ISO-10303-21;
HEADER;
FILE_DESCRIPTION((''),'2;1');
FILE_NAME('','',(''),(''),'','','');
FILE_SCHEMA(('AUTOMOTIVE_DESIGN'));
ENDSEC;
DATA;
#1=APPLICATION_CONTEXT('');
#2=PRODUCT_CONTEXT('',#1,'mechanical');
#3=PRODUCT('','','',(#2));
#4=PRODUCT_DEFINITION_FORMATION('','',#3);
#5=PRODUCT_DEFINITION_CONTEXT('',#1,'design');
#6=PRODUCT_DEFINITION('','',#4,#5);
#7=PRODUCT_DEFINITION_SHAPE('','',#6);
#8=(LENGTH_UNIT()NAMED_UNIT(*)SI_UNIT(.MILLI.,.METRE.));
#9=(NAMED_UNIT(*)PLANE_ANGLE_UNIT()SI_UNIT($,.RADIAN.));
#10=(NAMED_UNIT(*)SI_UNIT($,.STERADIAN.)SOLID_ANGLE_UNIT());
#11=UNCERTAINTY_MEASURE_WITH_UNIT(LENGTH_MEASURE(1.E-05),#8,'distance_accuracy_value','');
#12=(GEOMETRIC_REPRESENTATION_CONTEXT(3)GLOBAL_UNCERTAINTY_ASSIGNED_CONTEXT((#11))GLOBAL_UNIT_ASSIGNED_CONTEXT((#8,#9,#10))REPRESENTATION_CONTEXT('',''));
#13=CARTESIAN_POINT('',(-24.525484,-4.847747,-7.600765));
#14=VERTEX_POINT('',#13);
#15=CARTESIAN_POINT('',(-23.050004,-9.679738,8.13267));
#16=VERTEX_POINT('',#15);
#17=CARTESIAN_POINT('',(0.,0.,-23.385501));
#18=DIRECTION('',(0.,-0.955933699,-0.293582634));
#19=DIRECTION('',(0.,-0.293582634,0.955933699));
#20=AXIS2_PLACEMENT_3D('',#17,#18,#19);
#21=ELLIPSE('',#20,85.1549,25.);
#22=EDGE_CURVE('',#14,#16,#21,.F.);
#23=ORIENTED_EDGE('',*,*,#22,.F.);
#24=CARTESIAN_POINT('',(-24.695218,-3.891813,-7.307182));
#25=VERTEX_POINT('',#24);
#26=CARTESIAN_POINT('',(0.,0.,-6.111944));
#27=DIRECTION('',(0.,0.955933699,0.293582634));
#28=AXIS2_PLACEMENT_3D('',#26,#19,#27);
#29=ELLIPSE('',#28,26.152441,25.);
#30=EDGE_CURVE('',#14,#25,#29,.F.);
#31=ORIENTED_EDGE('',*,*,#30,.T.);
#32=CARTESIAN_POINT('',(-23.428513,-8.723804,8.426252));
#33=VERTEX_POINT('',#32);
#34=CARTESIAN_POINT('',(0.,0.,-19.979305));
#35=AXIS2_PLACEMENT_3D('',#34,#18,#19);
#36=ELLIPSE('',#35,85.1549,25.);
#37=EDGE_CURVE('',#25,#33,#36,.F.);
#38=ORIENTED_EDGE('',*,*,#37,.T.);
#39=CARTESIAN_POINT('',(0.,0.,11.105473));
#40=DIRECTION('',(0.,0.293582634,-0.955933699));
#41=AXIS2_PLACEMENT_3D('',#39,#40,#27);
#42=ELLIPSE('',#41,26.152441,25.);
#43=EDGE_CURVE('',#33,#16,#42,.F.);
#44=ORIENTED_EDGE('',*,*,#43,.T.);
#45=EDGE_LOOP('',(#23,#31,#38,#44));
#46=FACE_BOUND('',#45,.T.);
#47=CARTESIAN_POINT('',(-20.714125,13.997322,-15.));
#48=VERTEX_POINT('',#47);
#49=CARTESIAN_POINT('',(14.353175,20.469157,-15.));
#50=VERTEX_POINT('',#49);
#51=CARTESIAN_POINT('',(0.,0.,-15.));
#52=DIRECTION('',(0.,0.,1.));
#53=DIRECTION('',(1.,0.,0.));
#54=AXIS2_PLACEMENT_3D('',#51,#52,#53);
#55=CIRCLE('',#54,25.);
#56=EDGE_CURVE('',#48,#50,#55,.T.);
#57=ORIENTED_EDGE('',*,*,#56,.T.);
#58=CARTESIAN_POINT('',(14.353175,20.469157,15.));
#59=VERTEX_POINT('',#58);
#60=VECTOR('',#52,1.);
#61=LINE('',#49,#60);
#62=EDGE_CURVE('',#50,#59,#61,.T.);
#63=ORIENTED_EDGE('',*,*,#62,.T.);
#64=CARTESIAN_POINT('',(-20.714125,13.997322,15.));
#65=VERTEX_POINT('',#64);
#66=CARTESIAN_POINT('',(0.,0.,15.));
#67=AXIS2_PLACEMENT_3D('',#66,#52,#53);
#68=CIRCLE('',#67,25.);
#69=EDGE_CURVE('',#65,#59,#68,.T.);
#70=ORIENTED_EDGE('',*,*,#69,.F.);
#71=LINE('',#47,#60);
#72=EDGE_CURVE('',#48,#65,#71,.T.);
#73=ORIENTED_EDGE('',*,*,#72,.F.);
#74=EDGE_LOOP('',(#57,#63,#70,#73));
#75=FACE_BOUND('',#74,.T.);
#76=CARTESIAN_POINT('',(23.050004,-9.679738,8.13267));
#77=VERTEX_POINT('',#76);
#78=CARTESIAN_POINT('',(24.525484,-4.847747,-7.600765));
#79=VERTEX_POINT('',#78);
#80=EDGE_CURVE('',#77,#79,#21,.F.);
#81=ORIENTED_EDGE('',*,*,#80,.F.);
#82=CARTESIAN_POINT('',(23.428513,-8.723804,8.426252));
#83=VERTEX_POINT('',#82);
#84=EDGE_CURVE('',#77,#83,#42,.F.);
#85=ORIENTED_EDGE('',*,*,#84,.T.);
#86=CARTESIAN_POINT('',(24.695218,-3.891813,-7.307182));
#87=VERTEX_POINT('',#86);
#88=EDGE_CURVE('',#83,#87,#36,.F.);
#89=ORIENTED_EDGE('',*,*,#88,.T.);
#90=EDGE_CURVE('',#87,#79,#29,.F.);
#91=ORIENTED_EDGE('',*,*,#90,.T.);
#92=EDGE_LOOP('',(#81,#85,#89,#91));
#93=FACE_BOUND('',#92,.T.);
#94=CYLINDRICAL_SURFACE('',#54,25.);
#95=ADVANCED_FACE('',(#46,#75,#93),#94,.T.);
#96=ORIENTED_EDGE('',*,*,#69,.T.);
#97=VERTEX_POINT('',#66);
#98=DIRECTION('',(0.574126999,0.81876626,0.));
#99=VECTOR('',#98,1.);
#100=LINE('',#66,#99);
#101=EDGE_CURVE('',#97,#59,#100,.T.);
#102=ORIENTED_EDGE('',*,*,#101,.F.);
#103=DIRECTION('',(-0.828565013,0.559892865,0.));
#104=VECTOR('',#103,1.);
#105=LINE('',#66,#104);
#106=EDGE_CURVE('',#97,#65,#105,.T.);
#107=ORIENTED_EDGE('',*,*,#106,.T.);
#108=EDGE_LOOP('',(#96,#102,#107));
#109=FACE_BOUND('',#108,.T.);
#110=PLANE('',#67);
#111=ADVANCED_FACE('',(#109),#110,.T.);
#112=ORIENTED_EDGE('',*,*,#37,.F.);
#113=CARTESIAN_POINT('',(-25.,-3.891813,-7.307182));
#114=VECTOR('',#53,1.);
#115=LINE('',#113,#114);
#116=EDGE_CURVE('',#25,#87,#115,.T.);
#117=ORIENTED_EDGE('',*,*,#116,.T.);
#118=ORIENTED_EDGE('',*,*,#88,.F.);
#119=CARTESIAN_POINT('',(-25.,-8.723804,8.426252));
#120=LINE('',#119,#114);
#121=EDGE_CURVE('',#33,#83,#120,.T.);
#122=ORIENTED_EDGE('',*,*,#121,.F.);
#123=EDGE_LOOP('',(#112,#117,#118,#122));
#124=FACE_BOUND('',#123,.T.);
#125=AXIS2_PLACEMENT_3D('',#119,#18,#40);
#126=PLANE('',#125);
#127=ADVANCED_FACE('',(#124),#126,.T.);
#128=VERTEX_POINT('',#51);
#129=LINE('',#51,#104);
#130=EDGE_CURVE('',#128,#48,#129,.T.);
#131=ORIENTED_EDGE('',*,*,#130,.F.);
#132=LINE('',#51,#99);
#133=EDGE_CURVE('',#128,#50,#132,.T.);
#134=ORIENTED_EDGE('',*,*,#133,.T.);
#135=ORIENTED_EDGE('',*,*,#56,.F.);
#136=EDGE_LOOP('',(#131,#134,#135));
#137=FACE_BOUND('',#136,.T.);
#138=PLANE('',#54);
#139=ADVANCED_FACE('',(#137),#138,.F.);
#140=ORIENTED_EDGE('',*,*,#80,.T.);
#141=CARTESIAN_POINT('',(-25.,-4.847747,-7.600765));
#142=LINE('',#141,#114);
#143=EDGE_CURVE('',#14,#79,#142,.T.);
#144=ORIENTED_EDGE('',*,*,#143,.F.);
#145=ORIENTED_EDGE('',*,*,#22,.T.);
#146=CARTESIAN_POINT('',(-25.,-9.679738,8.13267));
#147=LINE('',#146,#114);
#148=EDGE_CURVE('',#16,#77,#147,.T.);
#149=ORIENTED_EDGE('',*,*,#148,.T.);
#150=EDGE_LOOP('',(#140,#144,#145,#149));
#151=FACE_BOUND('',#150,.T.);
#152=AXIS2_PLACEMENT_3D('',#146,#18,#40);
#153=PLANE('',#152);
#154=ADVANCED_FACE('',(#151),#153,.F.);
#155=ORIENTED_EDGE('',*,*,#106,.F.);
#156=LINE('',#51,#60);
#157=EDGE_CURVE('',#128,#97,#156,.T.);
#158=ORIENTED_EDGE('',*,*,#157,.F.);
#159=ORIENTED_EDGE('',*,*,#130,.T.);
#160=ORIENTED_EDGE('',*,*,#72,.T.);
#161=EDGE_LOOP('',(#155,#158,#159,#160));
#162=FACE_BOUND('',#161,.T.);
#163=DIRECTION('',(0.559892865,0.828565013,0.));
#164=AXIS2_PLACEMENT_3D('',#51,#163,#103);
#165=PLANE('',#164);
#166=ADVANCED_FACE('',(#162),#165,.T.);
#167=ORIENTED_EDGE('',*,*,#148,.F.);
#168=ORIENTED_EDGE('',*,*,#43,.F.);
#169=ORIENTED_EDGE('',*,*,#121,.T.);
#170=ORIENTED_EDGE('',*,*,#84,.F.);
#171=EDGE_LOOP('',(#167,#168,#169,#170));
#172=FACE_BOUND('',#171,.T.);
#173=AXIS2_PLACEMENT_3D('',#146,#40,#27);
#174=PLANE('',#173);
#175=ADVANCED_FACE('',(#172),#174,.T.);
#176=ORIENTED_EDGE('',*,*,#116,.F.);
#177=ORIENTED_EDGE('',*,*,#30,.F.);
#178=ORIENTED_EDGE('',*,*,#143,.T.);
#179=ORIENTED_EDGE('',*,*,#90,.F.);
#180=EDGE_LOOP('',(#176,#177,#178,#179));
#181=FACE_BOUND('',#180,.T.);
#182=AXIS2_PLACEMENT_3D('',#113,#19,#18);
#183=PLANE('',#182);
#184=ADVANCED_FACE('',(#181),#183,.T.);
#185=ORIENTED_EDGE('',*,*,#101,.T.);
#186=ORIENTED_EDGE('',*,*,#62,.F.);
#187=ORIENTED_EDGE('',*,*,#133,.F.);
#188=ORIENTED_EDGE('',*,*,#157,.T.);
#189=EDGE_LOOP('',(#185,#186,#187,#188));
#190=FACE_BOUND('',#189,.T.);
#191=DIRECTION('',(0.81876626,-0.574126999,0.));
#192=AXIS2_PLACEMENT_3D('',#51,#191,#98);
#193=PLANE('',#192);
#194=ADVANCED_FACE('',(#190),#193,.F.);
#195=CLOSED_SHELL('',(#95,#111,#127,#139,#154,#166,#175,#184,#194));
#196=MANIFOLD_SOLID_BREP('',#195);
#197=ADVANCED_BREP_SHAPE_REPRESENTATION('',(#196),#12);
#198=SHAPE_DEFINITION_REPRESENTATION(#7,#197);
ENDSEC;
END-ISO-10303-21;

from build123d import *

# Parameters (mm, degrees)
SKETCH1_R                    = 25
BOSS_EXTRUDE1_DEPTH          = 15
CUT_EXTRUDE1_DEPTH           = 30
CUT_EXTRUDE_THIN3_DEPTH      = 26
CUT_EXTRUDE_THIN3_DEPTH_BACK = 26


with BuildPart() as part:
    # Sketch1 → Boss-Extrude1 (new body, symmetric)
    with BuildSketch(Plane.XY):
        Circle(SKETCH1_R)
    extrude(amount=BOSS_EXTRUDE1_DEPTH, both=True)

    # Sketch2 → Cut-Extrude1 (cut)
    with BuildSketch(Plane.XY.offset(15)):
        Polygon((-128.64988892, 86.933618644), (-20.714125317, 13.997321614), (0, 0), (14.35317498, 20.469156504), (89.143728668, 127.128453183), (41.85899915, 383.338297472), (-175.934618438, 343.143462933), align=None)
    extrude(amount=-CUT_EXTRUDE1_DEPTH, mode=Mode.SUBTRACT)

    # Sketch4 → Cut-Extrude-Thin3 (cut, two sides)
    with BuildSketch(Plane(origin=(0, 0, 0), x_dir=(0, 0, -1), z_dir=(1, 0, 0))) as cut_extrude_thin3_sk:
        Polygon((-8.132669534, -9.679737666), (7.600765094, -4.847746507), (7.30718246, -3.891812808), (-8.426252168, -8.723803967), align=None)
    extrude(amount=CUT_EXTRUDE_THIN3_DEPTH, mode=Mode.SUBTRACT)
    extrude(cut_extrude_thin3_sk.sketch, amount=-CUT_EXTRUDE_THIN3_DEPTH_BACK, mode=Mode.SUBTRACT)


solid = part.part
